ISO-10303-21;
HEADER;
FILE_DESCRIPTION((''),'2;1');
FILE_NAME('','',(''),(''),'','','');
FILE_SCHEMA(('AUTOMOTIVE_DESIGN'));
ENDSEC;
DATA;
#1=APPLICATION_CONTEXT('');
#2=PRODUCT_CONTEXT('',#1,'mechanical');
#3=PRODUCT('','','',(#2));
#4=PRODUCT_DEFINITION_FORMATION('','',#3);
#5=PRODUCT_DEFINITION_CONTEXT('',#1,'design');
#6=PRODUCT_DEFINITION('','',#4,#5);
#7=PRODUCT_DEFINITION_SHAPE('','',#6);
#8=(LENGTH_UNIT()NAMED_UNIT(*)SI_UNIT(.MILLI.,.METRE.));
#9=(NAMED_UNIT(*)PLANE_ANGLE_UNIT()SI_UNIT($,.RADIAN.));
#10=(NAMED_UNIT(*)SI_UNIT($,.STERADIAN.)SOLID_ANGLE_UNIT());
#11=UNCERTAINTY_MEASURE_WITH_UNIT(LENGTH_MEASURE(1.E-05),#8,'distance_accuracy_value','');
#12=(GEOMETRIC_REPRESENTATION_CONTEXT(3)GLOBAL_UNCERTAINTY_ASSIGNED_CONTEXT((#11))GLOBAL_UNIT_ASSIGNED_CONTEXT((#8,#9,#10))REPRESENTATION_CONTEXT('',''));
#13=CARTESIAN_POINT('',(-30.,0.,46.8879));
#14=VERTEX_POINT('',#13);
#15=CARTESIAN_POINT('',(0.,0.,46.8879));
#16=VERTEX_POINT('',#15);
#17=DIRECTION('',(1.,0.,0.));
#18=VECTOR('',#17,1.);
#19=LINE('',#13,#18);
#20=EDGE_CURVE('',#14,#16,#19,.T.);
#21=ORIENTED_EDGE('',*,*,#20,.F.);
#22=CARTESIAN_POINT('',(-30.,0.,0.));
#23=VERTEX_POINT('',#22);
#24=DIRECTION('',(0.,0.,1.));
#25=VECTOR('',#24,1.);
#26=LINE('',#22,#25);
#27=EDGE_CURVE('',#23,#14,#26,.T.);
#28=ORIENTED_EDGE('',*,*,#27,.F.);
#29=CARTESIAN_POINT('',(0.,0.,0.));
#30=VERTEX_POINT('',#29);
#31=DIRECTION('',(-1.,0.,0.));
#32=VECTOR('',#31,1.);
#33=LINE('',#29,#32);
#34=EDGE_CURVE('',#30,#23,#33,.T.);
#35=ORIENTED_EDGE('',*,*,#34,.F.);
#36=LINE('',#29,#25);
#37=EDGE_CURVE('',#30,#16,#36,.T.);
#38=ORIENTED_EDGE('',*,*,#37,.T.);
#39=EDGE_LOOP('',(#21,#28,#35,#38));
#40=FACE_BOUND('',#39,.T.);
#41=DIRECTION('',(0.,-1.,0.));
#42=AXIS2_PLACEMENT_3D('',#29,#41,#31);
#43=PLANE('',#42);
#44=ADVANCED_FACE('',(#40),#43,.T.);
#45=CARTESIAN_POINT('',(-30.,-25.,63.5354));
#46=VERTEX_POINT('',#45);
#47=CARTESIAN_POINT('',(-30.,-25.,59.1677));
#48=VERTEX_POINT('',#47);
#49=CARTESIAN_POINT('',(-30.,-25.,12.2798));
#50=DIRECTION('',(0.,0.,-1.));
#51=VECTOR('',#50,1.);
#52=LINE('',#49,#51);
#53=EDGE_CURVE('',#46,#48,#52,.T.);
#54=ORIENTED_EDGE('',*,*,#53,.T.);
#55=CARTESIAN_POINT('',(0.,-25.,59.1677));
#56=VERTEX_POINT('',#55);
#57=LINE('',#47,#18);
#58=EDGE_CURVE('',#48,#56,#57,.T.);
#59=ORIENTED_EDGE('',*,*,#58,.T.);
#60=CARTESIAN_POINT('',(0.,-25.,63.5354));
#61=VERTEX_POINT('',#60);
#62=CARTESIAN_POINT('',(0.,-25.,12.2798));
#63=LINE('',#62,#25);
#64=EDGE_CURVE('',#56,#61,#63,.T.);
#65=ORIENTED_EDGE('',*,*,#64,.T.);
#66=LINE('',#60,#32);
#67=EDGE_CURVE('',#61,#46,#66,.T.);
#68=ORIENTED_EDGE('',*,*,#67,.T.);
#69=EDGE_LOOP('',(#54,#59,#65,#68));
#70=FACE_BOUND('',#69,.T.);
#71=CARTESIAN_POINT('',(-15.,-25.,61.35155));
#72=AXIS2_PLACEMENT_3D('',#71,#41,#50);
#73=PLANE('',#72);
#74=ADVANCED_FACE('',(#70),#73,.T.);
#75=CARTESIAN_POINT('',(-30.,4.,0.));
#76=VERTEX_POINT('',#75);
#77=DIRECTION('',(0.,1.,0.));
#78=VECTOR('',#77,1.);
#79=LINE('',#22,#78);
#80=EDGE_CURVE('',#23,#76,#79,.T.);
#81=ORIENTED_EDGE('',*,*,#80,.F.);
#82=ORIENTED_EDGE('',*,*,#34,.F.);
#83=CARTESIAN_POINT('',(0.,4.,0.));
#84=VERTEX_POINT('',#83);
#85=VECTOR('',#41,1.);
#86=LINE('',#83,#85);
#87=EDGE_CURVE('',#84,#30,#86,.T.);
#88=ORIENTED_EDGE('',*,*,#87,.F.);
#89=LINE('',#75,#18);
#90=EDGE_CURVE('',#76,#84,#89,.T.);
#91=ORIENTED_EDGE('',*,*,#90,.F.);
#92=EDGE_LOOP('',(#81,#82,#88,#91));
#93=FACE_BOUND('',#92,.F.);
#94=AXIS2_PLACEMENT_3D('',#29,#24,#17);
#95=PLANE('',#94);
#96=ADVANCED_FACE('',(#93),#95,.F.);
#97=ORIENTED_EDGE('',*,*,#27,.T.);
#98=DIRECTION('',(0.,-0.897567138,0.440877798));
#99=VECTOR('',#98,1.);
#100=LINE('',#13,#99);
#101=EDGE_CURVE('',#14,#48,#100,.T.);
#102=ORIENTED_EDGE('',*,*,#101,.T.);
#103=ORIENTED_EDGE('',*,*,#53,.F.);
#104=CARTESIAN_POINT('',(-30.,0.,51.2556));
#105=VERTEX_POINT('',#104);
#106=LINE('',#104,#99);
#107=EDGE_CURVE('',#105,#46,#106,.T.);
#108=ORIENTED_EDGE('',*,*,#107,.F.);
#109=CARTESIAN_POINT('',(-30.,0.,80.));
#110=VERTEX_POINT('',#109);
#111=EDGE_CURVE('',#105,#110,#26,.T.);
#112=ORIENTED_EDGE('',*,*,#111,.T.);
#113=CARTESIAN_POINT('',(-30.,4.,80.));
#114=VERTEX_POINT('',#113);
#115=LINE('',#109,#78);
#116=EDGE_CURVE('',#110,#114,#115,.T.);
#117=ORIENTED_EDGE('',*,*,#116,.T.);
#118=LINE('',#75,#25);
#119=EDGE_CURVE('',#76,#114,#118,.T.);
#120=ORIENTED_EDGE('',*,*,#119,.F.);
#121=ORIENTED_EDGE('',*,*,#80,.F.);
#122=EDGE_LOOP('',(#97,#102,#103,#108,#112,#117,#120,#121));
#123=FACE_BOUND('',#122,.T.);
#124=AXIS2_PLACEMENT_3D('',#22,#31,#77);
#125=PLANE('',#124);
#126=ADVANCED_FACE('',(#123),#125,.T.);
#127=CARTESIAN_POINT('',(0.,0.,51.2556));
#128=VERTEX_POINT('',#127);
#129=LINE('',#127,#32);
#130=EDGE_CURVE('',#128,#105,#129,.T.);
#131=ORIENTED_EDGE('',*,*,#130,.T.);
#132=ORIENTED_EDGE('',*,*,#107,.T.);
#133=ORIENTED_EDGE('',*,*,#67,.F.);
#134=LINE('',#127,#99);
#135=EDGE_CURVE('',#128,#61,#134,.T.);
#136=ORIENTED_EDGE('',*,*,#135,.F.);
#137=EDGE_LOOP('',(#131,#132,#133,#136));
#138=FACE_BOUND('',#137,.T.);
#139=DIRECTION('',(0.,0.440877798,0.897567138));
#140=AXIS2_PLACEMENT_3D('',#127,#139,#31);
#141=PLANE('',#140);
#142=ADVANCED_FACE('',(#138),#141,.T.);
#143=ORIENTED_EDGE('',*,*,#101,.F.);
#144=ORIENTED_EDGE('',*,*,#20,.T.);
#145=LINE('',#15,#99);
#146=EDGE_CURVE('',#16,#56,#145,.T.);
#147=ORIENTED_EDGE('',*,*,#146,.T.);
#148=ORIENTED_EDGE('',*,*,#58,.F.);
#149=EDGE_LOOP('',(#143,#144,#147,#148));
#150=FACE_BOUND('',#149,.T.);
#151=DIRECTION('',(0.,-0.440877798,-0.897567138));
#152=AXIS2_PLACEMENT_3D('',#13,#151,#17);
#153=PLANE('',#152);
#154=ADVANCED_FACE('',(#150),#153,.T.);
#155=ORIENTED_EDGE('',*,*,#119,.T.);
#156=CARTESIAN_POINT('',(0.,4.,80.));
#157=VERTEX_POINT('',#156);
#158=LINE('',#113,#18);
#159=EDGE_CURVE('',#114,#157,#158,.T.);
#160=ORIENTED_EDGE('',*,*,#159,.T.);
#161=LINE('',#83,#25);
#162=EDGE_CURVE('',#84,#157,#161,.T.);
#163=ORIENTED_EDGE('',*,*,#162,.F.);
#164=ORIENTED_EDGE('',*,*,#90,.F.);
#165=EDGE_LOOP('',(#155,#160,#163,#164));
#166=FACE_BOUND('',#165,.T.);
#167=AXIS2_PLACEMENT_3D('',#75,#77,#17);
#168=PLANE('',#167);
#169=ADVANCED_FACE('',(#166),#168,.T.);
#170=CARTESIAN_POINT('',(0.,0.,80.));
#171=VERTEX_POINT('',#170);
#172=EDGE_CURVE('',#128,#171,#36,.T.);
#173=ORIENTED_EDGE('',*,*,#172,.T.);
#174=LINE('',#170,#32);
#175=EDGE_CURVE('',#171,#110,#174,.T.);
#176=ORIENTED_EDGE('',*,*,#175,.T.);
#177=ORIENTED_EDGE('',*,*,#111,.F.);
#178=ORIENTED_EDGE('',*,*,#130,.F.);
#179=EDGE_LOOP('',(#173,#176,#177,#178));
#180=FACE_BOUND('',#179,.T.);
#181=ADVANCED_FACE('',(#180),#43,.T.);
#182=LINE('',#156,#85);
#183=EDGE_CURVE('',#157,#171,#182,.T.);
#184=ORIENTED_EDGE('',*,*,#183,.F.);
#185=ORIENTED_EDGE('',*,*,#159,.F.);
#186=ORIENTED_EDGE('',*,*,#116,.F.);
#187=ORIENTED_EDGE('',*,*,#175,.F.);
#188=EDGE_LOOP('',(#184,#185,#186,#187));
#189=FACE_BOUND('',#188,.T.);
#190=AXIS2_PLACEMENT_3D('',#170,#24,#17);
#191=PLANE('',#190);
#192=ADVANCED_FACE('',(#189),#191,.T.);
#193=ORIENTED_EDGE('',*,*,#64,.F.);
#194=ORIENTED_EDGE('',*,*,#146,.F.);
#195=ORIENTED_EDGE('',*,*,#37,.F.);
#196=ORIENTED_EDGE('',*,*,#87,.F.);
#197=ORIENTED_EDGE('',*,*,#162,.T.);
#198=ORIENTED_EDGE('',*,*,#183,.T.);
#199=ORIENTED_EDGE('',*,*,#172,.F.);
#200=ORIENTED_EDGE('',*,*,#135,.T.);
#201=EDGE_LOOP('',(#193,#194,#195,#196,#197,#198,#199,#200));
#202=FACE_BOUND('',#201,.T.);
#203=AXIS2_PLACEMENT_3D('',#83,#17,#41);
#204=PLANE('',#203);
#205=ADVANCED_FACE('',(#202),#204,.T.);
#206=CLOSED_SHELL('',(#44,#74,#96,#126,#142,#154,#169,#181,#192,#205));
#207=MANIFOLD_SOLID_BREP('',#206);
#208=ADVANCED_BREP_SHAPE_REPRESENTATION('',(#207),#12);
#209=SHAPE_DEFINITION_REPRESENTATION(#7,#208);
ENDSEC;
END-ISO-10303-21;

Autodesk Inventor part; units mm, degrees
ref_plane "YZ Plane" through (0, 0, 0) normal (1, 0, 0) x (0, 1, 0)
ref_plane "XZ Plane" through (0, 0, 0) normal (0, 1, 0) x (-1, 0, 0)
ref_plane "XY Plane" through (0, 0, 0) normal (0, 0, 1) x (1, 0, 0)
sketch "Эскиз1" plane through (0, 0, 0) normal (0, 0, 1) x (1, 0, 0)
  line L0 (0, 0) -> (-30, 0)
  line L1 (-30, 0) -> (-30, 4)
  line L2 (-30, 4) -> (0, 4)
  line L3 (0, 4) -> (0, 0)
  dimension "d0" = 30
  dimension "d1" = 4
extrude "Выдавливание1" add sketch "Эскиз1" along normal blind 80
sketch "Эскиз2" plane through (-30, 0, 0) normal (0, -1, 0) x (1, 0, 0)
  line L0 (30, 0) -> (30, 80) projected
  line L1 (0, 0) -> (0, 80) projected
  line L2 (30, 51.2556) -> (0, 51.2556)
  line L3 (0, 51.2556) -> (0, 46.8879)
  line L4 (0, 46.8879) -> (30, 46.8879)
  line L5 (30, 46.8879) -> (30, 51.2556)
ref_plane "РабПлоскость1" through (-30, -25, 0) normal (0, -1, 0) x (1, 0, 0)
sketch "Эскиз3" plane through (-30, -25, 0) normal (0, -1, 0) x (1, 0, 0)
  line L0 (30, 51.2556) -> (0, 51.2556) projected
  line L1 (0, 46.8879) -> (30, 46.8879) projected
  line L2 (0, 63.5353) -> (0, 59.1677)
  line L3 (30, 63.5353) -> (30, 59.1677)
  line L4 (30, 0) -> (30, 80) projected
  line L5 (0, 59.1677) -> (30, 59.1677)
  line L6 (30, 63.5353) -> (0, 63.5353)
sketch "Эскиз4" plane through (0, 0, 0) normal (1, 0, 0) x (0, 0, -1)
  line L0 (-51.2556, 0) -> (-63.5353, -25)
  line L1 (-46.8879, 0) -> (-59.1677, -25)
  point P0 (0, 0)
sweep "Сдвиг1" add profiles "Эскиз2" path "Эскиз4" path curves L1
properties part number "сосало"
